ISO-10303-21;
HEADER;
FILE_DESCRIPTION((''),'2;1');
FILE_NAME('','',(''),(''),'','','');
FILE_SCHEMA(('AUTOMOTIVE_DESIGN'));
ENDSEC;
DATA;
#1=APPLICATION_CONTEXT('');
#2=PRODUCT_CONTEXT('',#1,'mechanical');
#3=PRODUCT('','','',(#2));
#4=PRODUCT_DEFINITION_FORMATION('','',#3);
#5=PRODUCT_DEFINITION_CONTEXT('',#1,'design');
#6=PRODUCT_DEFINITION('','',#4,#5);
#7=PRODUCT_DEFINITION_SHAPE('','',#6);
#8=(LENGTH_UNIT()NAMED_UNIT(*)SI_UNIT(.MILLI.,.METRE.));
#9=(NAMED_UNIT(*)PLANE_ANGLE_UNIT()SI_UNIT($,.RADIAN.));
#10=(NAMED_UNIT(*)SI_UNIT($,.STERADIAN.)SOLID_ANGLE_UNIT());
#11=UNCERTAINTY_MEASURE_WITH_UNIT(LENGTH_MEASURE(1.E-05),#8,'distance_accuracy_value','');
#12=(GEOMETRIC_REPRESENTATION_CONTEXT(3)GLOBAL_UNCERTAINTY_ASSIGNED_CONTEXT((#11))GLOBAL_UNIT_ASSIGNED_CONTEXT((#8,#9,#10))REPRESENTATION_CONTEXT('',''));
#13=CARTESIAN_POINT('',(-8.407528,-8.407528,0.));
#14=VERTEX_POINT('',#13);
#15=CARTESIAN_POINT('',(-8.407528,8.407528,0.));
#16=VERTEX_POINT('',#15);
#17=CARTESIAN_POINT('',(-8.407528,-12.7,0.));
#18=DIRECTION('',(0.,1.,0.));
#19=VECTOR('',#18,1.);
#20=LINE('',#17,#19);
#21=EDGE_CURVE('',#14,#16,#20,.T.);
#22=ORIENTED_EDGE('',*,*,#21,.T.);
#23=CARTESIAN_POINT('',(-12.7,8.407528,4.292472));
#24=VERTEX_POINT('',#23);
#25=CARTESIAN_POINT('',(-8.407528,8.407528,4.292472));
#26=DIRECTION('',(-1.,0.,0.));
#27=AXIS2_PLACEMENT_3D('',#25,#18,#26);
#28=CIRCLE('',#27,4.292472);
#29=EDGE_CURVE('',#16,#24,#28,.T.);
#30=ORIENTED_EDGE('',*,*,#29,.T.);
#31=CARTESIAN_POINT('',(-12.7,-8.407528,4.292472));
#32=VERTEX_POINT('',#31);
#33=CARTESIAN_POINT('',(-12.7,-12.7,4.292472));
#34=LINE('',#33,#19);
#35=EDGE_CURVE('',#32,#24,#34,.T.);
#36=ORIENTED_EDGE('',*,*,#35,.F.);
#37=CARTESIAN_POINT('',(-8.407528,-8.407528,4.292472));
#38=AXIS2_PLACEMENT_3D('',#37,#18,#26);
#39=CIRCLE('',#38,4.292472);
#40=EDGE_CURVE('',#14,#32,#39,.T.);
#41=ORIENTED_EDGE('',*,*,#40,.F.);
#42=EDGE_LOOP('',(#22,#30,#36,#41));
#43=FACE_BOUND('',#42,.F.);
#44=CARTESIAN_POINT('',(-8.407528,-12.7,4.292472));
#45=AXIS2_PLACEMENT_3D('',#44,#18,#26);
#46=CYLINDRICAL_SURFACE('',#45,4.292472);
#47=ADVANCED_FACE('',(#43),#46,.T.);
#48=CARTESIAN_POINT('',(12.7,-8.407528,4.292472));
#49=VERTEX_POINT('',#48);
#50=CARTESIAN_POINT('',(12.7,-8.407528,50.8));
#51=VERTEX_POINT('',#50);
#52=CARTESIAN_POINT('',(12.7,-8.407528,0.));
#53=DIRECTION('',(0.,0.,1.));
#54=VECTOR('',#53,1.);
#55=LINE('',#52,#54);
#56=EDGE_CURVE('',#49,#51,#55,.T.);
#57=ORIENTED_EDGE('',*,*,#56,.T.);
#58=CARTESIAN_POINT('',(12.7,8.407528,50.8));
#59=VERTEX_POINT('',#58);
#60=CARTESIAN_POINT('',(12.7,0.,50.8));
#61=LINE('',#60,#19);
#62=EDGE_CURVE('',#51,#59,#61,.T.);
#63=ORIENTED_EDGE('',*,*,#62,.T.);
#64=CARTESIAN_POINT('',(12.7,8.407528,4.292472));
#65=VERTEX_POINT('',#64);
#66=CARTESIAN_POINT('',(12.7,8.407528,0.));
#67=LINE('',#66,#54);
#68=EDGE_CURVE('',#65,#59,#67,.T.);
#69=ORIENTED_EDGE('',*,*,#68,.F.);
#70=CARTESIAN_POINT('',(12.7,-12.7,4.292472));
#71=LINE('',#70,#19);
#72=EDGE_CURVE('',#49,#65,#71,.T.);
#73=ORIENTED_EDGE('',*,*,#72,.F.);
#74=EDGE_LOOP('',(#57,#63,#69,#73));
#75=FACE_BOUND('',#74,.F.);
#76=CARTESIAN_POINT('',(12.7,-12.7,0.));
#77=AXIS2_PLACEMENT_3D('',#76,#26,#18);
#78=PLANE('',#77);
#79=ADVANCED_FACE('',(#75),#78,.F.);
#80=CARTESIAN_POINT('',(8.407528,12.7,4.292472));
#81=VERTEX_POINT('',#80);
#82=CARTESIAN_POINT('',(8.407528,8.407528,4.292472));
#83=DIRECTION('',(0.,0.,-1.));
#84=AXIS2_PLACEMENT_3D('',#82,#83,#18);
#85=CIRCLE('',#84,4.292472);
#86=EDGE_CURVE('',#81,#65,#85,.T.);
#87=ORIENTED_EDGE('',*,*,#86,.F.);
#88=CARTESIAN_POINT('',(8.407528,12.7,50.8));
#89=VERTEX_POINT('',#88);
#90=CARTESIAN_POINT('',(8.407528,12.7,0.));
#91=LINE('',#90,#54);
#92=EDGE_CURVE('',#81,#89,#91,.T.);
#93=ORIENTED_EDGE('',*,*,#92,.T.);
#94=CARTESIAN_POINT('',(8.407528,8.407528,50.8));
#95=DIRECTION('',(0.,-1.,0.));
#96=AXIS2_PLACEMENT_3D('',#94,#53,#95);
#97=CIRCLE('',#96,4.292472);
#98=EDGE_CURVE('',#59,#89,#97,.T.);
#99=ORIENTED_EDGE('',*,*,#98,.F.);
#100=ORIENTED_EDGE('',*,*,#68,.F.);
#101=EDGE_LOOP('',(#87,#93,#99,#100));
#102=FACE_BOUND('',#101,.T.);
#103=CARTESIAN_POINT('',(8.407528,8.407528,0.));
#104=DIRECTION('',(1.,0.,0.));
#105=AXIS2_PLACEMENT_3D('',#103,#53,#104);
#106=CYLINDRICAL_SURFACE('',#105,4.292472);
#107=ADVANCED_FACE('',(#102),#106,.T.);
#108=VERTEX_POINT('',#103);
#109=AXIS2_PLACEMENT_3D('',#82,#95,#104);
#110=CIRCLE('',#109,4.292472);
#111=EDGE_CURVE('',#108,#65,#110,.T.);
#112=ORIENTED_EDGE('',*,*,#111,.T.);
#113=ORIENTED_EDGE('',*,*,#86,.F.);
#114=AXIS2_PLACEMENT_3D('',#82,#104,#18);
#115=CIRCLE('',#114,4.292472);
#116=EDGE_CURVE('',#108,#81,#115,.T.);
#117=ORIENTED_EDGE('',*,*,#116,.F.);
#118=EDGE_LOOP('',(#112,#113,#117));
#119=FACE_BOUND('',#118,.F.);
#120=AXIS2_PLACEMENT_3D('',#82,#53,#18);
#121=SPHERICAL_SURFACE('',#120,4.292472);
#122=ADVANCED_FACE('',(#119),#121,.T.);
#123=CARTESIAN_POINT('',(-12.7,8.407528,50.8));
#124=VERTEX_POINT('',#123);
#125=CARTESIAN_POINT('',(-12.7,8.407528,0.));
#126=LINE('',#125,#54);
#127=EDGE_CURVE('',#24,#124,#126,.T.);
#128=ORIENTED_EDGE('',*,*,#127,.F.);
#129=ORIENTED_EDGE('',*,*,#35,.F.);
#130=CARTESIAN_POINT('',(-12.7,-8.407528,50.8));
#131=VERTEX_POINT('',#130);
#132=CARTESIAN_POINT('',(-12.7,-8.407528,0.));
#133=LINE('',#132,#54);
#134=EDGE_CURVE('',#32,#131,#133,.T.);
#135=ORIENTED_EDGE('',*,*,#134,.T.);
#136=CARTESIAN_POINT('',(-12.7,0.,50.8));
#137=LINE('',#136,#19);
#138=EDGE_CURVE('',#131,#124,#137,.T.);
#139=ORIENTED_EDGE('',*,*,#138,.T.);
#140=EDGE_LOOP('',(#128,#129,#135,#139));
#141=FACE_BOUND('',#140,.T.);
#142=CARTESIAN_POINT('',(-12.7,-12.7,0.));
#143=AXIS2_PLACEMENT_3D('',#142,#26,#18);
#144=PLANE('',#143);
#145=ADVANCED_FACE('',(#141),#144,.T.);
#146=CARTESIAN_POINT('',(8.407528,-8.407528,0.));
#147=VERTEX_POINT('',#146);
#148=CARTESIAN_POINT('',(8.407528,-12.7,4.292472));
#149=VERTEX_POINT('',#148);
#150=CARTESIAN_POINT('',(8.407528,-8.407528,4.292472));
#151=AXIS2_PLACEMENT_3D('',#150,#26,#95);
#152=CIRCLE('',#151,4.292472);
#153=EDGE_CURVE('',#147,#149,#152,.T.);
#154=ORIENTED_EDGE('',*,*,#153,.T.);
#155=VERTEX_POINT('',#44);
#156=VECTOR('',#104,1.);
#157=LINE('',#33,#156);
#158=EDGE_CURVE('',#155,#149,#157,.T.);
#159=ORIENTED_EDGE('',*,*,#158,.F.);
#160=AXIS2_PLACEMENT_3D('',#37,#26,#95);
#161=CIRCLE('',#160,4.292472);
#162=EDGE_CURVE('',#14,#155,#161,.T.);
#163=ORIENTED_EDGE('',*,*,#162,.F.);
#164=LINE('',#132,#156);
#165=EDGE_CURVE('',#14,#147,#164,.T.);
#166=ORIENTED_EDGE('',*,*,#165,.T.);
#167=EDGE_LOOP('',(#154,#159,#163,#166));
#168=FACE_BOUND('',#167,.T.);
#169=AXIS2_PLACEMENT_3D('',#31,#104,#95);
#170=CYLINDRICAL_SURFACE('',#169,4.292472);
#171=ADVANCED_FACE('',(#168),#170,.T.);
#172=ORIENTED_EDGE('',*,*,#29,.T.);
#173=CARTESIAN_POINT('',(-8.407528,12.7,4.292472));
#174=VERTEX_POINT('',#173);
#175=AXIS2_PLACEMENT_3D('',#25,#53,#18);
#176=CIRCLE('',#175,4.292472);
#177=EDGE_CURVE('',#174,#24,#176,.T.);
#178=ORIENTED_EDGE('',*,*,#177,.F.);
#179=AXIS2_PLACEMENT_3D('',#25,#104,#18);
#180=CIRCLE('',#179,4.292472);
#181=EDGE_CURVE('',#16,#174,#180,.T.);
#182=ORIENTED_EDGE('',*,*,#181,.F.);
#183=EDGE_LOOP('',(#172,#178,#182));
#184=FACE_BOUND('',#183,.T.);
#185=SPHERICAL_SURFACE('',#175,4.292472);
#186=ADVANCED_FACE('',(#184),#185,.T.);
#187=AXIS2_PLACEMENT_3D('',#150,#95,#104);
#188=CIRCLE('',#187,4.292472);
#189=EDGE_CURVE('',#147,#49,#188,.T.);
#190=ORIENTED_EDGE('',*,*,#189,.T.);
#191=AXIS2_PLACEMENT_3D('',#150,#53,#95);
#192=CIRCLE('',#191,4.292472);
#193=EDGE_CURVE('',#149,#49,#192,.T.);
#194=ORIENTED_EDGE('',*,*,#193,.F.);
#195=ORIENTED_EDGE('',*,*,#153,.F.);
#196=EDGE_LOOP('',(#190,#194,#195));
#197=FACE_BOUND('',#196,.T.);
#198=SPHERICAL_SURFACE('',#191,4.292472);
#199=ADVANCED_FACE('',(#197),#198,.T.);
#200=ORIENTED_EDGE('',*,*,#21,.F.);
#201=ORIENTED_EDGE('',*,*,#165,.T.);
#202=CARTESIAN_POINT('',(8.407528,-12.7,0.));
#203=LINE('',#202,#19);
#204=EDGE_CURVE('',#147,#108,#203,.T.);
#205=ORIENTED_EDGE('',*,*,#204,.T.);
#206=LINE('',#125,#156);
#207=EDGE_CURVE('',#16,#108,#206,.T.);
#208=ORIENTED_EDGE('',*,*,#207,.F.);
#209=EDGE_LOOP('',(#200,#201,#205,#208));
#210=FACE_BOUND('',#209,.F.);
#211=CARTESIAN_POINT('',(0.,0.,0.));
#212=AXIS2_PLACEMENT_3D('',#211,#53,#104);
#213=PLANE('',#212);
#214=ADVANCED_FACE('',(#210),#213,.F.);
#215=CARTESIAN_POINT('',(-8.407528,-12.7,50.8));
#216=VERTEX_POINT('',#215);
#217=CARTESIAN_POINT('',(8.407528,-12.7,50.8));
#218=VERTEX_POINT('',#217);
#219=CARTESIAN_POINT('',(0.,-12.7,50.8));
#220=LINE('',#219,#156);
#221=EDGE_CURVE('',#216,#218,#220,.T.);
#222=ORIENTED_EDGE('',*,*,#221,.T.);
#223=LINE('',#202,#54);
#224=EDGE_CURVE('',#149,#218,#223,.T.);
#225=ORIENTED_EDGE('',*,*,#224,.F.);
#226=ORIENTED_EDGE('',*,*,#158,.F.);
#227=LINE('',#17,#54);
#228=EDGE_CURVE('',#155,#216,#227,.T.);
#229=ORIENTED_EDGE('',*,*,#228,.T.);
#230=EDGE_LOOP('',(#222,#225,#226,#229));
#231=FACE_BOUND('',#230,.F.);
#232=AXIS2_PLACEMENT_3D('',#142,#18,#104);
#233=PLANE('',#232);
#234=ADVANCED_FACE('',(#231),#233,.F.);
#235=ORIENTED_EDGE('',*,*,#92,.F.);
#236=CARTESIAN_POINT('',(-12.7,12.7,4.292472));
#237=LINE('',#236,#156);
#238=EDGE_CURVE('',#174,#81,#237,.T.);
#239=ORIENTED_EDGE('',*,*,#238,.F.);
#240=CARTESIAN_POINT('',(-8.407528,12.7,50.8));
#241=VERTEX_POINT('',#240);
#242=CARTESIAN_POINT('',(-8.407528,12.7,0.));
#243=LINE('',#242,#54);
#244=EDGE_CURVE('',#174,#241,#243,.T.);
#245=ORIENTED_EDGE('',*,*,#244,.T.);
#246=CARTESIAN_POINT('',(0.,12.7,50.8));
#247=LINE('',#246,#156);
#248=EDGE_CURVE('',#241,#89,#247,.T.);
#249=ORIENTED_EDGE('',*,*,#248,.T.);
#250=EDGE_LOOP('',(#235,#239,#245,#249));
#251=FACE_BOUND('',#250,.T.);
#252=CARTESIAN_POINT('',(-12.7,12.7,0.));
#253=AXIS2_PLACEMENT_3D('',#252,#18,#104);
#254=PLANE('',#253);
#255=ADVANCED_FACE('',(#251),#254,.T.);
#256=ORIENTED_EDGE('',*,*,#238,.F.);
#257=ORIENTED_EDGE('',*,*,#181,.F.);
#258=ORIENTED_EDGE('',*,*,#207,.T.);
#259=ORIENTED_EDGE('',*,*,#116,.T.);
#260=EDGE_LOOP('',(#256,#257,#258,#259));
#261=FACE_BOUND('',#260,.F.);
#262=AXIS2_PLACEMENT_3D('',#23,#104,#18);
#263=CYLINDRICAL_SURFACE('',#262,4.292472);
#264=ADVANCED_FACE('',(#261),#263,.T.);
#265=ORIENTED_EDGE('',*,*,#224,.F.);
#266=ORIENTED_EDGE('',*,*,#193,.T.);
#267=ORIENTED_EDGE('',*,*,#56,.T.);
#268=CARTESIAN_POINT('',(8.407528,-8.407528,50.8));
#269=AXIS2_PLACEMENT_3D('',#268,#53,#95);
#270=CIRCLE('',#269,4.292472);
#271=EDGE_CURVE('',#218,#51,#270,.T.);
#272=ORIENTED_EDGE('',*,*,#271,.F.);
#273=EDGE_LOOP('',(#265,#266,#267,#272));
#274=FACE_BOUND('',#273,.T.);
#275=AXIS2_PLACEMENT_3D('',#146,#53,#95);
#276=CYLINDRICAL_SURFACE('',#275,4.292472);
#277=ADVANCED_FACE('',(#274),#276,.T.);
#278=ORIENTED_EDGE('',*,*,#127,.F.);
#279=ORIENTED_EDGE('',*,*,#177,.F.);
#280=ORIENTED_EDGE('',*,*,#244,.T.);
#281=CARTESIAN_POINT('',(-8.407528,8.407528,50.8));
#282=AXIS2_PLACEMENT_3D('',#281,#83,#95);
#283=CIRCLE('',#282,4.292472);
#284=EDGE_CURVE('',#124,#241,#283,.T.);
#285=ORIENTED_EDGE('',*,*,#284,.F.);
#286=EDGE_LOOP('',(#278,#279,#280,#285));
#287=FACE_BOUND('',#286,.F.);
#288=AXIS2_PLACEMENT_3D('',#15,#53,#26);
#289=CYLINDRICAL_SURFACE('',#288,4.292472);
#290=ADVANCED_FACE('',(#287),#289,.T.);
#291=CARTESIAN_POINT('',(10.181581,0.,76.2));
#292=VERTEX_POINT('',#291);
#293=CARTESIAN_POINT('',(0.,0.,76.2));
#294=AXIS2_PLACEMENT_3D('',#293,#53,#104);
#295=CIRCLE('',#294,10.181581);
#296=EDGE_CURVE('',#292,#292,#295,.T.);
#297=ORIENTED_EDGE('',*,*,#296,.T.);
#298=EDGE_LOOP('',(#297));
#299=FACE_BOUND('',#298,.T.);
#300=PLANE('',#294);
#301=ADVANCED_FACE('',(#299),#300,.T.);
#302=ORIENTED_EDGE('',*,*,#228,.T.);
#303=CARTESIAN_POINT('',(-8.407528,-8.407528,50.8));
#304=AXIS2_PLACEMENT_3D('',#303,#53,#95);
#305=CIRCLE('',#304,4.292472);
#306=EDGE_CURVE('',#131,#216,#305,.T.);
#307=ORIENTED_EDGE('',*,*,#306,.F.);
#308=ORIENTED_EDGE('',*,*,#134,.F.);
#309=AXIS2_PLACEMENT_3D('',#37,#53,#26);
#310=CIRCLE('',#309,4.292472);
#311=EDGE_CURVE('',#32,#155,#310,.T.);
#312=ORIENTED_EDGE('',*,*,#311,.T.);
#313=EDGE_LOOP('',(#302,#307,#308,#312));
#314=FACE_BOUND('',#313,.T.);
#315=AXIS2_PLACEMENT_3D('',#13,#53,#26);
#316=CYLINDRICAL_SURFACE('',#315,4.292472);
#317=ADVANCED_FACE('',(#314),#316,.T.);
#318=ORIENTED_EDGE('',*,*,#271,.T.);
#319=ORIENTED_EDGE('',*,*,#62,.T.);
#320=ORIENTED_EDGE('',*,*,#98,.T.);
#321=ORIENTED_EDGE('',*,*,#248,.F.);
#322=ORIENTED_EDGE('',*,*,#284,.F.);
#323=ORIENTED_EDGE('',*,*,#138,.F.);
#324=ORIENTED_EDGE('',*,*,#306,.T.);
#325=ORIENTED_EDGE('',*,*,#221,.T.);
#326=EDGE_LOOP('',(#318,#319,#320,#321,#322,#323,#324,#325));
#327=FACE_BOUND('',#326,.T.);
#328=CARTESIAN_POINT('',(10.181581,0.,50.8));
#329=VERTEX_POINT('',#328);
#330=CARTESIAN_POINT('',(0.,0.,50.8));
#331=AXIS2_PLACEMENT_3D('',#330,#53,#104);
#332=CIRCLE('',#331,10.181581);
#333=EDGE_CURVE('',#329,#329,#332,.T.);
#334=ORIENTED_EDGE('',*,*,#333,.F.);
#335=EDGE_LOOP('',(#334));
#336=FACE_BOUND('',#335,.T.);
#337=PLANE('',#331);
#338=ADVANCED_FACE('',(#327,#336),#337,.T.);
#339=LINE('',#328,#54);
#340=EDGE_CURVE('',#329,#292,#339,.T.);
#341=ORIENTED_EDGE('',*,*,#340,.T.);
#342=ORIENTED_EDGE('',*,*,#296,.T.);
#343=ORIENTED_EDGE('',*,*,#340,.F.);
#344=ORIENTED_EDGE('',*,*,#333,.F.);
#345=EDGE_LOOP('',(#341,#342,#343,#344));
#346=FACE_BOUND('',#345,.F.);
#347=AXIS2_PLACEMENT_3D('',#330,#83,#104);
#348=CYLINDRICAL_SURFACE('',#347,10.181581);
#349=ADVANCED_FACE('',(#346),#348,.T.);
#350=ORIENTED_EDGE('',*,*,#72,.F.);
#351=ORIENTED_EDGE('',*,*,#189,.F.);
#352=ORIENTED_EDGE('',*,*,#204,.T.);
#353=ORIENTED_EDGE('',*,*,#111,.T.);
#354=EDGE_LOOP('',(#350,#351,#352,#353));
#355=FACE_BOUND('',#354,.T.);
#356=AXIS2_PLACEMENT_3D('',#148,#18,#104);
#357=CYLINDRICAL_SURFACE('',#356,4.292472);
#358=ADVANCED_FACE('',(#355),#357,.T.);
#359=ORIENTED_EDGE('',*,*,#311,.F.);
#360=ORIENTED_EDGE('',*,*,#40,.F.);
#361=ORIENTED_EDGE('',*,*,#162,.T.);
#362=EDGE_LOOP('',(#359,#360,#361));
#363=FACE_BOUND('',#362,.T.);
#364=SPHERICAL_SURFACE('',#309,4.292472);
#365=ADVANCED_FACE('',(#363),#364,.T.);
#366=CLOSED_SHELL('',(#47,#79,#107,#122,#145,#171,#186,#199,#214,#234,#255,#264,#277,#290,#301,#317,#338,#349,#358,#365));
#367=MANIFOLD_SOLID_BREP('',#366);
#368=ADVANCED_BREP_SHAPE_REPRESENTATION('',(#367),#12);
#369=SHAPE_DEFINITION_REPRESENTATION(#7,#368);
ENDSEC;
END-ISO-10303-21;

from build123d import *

# Parameters (mm, degrees)
F0_W     = 25.4
F0_H     = 25.4
F1_DEPTH = 50.8
F2_R     = 4.292472
F3_R     = 10.181581
F4_DEPTH = 25.4


with BuildPart() as f1:
    # F0 (on Top) → F1 (new body)
    with BuildSketch(Plane.XY):
        Rectangle(F0_W, F0_H)
    extrude(amount=F1_DEPTH)

    # F2
    f2_edges = [f1.edges().sort_by_distance(p)[0] for p in [
        (12.7, -12.7, 25.4),
        (12.7, 12.7, 25.4),
        (-12.7, -12.7, 25.4),
        (-12.7, 12.7, 25.4),
        (0, 12.7, 0),
        (-12.7, 0, 0),
        (0, -12.7, 0),
        (12.7, 0, 0),
    ]]
    fillet(f2_edges, radius=F2_R)

    # F3 (on face) → F4 (join)
    with BuildSketch(Plane.XY.offset(50.8)):
        Circle(F3_R)
    extrude(amount=F4_DEPTH)


solid = f1.part
